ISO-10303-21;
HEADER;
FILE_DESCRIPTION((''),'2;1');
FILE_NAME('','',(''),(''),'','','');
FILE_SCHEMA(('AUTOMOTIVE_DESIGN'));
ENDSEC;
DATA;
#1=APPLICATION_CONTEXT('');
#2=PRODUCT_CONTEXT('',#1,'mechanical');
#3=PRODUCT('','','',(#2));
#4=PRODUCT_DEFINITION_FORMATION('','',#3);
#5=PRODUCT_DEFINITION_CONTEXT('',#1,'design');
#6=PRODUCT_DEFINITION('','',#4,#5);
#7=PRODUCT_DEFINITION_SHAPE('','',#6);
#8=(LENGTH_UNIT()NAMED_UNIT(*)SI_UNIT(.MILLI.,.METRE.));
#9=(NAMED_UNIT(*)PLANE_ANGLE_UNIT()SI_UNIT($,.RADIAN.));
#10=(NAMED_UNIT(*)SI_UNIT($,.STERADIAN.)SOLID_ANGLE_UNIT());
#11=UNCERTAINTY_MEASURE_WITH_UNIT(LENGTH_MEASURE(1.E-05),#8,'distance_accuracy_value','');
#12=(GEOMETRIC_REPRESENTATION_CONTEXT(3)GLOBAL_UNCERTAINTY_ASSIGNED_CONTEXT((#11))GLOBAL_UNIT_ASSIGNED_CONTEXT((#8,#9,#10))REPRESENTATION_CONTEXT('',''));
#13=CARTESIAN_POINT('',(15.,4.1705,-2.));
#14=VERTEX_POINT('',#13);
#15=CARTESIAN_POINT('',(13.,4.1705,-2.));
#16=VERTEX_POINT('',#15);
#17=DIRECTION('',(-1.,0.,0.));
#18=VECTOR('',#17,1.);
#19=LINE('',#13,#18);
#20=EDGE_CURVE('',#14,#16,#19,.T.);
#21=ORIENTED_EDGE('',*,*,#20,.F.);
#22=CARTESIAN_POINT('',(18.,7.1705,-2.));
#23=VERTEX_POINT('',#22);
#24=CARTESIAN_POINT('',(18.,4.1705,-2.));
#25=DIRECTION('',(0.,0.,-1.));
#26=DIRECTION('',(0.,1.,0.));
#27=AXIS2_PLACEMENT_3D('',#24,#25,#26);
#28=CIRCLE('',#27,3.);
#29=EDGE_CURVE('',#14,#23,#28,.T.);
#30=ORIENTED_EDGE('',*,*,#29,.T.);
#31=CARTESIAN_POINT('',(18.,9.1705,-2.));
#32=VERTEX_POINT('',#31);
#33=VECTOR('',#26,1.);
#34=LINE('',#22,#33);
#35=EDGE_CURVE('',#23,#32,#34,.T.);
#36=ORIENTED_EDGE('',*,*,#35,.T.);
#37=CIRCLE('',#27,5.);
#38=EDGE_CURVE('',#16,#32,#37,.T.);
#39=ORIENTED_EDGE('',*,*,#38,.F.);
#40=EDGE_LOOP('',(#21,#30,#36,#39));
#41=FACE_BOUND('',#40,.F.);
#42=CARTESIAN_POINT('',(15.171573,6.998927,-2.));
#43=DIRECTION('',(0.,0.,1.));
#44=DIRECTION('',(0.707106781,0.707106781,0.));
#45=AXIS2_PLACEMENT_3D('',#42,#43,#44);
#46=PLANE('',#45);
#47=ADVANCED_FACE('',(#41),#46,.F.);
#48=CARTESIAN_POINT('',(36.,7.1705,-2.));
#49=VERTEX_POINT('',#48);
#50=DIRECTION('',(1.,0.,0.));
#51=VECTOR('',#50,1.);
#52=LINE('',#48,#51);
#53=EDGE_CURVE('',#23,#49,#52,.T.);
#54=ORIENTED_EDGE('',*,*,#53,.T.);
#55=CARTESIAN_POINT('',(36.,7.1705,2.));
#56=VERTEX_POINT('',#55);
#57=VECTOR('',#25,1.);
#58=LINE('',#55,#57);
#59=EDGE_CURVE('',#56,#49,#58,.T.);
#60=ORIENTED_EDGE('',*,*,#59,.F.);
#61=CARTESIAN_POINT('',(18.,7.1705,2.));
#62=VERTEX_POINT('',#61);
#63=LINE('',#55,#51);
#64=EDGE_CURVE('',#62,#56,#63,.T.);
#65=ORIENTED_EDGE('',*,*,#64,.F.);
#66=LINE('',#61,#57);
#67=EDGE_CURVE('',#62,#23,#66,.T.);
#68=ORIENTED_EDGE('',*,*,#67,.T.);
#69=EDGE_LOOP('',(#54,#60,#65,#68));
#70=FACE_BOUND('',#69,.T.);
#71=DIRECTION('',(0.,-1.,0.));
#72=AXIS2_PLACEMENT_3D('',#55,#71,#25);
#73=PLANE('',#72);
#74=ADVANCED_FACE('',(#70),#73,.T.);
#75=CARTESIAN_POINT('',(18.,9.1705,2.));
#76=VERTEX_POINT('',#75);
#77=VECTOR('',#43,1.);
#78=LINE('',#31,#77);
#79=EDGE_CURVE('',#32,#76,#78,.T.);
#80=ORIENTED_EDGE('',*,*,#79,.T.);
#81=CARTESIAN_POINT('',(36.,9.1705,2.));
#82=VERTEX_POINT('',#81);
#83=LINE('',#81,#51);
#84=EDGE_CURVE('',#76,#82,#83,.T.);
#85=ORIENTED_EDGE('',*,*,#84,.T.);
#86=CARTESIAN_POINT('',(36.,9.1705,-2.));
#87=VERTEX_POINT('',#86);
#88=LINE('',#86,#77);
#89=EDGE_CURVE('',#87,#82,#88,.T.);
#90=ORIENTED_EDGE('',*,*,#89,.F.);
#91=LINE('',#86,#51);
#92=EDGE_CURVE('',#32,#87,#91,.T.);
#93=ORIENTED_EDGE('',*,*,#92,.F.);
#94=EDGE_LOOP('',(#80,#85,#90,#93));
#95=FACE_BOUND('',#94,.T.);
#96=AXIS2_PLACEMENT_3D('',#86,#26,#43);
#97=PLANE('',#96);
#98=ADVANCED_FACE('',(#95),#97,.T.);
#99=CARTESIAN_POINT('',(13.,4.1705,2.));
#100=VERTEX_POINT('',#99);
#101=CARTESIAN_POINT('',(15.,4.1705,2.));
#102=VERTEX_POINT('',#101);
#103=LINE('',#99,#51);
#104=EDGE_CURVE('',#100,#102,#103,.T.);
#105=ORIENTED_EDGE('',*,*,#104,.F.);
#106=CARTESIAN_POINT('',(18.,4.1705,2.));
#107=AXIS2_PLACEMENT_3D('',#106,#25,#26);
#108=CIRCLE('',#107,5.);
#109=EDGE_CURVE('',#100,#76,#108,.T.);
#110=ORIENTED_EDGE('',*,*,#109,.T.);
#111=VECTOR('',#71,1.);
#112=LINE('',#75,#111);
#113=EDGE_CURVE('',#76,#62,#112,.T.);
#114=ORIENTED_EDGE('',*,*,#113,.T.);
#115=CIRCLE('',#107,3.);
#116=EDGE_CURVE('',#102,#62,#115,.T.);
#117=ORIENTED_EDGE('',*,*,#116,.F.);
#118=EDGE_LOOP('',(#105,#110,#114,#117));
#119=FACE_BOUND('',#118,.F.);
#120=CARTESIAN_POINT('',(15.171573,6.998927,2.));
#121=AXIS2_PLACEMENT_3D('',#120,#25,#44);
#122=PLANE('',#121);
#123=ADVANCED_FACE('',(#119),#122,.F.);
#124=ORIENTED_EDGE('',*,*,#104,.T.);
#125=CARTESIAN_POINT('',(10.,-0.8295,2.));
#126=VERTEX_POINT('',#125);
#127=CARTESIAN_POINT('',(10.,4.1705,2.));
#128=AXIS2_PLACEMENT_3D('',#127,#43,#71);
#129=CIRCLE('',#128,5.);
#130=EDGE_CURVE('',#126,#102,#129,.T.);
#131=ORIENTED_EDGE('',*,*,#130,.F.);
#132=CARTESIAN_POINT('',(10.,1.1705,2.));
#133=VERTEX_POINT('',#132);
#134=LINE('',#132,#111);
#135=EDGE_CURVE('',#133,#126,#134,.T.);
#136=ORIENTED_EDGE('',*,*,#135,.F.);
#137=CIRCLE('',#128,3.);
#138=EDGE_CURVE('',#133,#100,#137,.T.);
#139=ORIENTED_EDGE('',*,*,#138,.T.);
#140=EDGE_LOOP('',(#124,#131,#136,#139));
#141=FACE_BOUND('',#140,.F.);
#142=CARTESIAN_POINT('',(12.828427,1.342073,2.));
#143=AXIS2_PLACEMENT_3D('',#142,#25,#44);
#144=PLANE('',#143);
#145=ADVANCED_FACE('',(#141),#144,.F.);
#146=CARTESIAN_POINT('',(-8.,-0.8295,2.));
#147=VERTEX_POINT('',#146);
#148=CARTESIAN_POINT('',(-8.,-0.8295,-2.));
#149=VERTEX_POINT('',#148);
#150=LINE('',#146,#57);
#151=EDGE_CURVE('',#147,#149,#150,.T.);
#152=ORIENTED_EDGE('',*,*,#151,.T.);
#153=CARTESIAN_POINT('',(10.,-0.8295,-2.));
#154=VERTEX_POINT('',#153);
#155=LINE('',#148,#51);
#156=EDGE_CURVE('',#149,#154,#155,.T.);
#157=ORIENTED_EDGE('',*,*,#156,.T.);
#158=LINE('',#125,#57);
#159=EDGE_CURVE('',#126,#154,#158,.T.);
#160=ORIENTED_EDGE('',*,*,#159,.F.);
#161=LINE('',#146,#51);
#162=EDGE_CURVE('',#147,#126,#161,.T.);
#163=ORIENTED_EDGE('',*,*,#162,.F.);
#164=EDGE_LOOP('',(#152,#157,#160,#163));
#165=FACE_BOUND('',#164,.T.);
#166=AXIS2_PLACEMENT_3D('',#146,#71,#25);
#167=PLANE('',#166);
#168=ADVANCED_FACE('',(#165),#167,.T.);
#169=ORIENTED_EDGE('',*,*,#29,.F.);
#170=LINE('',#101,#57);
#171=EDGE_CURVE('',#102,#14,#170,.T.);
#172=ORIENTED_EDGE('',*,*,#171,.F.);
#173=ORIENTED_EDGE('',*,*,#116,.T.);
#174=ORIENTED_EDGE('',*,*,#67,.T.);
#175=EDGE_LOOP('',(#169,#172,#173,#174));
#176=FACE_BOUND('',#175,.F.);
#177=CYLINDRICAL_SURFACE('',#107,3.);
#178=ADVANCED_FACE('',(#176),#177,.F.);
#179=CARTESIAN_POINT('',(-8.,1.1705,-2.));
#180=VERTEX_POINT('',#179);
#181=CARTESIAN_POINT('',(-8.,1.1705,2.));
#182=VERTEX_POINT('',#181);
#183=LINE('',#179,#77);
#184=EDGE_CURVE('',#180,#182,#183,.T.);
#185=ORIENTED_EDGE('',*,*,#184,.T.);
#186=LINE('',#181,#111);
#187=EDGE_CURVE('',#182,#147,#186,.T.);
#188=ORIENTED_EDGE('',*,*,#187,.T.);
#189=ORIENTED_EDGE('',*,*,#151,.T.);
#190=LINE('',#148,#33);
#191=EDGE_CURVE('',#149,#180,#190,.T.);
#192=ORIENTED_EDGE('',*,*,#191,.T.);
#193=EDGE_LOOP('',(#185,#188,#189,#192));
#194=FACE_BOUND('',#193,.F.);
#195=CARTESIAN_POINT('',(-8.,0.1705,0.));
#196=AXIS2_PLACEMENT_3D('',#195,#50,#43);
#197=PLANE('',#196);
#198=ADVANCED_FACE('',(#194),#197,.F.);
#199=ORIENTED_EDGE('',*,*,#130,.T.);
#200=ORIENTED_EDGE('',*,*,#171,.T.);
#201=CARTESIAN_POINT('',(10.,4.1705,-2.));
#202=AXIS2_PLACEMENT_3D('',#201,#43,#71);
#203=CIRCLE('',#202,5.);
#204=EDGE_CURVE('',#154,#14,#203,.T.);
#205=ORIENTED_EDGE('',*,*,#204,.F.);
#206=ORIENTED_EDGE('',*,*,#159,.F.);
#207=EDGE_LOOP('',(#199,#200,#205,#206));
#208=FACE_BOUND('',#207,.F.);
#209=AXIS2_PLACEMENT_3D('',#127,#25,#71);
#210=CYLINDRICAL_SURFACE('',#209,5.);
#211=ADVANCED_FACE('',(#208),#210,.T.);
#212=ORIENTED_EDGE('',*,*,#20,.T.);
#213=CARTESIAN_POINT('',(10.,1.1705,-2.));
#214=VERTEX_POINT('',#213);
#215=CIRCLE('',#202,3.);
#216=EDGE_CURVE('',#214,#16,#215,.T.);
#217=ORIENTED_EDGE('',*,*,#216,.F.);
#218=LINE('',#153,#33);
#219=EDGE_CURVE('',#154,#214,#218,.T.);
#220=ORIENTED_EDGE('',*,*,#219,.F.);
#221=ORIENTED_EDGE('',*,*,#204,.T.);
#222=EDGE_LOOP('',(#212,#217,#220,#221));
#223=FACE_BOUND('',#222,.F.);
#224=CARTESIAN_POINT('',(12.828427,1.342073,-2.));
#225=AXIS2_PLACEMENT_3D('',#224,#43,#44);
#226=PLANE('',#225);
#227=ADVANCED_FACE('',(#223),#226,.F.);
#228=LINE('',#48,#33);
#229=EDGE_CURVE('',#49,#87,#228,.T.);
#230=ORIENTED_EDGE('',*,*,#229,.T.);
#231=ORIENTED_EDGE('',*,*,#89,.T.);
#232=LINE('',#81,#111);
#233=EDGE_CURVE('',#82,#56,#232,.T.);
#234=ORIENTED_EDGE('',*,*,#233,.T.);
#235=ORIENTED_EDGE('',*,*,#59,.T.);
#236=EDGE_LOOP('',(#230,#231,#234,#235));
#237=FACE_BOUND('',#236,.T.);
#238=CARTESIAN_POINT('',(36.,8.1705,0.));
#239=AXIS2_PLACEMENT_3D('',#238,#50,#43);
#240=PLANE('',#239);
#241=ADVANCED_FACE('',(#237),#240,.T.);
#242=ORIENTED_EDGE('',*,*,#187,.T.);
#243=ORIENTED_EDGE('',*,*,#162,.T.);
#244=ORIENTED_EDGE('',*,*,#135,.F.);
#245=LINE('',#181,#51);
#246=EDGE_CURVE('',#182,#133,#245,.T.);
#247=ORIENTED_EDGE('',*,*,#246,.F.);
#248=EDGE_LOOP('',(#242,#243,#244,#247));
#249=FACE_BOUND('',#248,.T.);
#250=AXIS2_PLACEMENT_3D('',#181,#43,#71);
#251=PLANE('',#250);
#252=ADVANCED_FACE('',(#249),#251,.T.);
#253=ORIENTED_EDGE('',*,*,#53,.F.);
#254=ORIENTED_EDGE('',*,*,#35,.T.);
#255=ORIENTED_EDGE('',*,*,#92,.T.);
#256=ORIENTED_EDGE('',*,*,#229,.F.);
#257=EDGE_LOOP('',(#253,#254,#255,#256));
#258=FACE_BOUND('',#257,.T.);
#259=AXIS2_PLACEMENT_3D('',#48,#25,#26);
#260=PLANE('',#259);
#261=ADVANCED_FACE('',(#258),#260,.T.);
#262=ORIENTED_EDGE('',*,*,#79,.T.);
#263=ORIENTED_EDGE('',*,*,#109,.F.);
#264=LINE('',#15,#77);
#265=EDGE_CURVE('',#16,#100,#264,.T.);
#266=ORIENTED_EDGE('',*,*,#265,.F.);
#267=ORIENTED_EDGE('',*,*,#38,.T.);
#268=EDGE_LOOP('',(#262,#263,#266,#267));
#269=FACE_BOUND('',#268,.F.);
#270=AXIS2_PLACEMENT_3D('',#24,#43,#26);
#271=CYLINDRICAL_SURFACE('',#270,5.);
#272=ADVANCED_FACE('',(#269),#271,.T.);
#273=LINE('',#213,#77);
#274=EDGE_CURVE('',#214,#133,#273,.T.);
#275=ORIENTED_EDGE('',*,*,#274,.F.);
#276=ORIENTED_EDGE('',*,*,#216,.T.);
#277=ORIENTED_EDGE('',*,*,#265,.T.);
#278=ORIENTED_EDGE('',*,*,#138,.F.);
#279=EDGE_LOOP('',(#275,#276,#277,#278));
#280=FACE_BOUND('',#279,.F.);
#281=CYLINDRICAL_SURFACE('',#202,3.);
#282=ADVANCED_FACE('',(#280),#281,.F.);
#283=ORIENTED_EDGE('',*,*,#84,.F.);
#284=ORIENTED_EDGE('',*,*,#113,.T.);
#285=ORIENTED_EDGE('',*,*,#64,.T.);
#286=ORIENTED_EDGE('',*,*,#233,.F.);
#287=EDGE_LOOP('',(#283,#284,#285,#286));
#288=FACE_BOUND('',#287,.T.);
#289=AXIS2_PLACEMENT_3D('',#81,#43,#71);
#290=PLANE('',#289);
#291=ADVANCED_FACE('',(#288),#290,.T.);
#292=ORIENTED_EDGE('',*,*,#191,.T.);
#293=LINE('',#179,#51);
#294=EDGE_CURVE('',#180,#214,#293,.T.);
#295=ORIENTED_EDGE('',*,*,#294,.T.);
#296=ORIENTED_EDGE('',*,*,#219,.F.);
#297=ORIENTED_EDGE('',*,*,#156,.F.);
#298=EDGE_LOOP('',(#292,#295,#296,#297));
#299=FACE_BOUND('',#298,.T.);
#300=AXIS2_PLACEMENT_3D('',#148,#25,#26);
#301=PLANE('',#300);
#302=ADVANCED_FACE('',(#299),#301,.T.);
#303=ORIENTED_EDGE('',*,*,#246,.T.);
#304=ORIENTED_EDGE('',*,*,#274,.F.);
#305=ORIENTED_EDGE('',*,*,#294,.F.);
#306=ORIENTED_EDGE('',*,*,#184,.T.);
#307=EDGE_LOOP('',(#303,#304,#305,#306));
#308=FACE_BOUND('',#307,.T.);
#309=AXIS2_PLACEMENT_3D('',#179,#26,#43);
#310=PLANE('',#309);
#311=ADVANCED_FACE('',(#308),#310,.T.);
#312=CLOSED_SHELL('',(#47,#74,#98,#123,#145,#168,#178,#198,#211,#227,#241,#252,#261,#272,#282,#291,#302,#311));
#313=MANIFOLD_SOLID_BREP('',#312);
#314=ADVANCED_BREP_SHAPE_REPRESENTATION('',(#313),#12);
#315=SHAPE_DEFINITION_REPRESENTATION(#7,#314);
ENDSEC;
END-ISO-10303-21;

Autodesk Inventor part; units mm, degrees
ref_plane "XZ Plane" through (0, 0, 0) normal (0, 1, 0) x (-1, 0, 0)
ref_plane "XY Plane" through (0, 0, 0) normal (0, 0, 1) x (1, 0, 0)
sketch "Sketch2" plane through (0, 0, 0) normal (0, 0, 1) x (1, 0, 0)
  line L0 (-8, 0.1705) -> (10, 0.1705)
  line L1 (36, 8.1705) -> (18, 8.1705)
  line L2 (14, 4.1705) -> (14, 4.1705)
  arc A0 (18, 8.1705) -> (14, 4.1705) centre (18, 4.1705) ccw
  arc A1 (10, 0.1705) -> (14, 4.1705) centre (10, 4.1705) ccw
  point P0 (14, 0.1705)
  point P1 (14, 8.1705)
  dimension "d9" = 44
  dimension "d15" = 8
  dimension "d16" = 22
  dimension "d17" = 22
  dimension "d24" = 4
ref_plane "Work Plane1" through (36, 8.1705, 0) normal (1, 0, 0) x (0, 1, 0)
sketch "Sketch3" plane through (36, 8.1705, 0) normal (1, 0, 0) x (0, 1, 0)
  line L0 (-1, 2) -> (-1, -2)
  line L1 (-1, -2) -> (1, -2)
  line L2 (1, -2) -> (1, 2)
  line L3 (1, 2) -> (-1, 2)
  line L4 (-1, 2) -> (1, -2) construction
  line L5 (-1, -2) -> (1, 2) construction
  point P0 (-8.1705, 0)
  point P1 (0, 0)
  dimension "d20" = 4
  dimension "d21" = 2
sweep "Sweep1" add profiles "Sketch3" path "Sketch2"
properties part number "SSSS"
